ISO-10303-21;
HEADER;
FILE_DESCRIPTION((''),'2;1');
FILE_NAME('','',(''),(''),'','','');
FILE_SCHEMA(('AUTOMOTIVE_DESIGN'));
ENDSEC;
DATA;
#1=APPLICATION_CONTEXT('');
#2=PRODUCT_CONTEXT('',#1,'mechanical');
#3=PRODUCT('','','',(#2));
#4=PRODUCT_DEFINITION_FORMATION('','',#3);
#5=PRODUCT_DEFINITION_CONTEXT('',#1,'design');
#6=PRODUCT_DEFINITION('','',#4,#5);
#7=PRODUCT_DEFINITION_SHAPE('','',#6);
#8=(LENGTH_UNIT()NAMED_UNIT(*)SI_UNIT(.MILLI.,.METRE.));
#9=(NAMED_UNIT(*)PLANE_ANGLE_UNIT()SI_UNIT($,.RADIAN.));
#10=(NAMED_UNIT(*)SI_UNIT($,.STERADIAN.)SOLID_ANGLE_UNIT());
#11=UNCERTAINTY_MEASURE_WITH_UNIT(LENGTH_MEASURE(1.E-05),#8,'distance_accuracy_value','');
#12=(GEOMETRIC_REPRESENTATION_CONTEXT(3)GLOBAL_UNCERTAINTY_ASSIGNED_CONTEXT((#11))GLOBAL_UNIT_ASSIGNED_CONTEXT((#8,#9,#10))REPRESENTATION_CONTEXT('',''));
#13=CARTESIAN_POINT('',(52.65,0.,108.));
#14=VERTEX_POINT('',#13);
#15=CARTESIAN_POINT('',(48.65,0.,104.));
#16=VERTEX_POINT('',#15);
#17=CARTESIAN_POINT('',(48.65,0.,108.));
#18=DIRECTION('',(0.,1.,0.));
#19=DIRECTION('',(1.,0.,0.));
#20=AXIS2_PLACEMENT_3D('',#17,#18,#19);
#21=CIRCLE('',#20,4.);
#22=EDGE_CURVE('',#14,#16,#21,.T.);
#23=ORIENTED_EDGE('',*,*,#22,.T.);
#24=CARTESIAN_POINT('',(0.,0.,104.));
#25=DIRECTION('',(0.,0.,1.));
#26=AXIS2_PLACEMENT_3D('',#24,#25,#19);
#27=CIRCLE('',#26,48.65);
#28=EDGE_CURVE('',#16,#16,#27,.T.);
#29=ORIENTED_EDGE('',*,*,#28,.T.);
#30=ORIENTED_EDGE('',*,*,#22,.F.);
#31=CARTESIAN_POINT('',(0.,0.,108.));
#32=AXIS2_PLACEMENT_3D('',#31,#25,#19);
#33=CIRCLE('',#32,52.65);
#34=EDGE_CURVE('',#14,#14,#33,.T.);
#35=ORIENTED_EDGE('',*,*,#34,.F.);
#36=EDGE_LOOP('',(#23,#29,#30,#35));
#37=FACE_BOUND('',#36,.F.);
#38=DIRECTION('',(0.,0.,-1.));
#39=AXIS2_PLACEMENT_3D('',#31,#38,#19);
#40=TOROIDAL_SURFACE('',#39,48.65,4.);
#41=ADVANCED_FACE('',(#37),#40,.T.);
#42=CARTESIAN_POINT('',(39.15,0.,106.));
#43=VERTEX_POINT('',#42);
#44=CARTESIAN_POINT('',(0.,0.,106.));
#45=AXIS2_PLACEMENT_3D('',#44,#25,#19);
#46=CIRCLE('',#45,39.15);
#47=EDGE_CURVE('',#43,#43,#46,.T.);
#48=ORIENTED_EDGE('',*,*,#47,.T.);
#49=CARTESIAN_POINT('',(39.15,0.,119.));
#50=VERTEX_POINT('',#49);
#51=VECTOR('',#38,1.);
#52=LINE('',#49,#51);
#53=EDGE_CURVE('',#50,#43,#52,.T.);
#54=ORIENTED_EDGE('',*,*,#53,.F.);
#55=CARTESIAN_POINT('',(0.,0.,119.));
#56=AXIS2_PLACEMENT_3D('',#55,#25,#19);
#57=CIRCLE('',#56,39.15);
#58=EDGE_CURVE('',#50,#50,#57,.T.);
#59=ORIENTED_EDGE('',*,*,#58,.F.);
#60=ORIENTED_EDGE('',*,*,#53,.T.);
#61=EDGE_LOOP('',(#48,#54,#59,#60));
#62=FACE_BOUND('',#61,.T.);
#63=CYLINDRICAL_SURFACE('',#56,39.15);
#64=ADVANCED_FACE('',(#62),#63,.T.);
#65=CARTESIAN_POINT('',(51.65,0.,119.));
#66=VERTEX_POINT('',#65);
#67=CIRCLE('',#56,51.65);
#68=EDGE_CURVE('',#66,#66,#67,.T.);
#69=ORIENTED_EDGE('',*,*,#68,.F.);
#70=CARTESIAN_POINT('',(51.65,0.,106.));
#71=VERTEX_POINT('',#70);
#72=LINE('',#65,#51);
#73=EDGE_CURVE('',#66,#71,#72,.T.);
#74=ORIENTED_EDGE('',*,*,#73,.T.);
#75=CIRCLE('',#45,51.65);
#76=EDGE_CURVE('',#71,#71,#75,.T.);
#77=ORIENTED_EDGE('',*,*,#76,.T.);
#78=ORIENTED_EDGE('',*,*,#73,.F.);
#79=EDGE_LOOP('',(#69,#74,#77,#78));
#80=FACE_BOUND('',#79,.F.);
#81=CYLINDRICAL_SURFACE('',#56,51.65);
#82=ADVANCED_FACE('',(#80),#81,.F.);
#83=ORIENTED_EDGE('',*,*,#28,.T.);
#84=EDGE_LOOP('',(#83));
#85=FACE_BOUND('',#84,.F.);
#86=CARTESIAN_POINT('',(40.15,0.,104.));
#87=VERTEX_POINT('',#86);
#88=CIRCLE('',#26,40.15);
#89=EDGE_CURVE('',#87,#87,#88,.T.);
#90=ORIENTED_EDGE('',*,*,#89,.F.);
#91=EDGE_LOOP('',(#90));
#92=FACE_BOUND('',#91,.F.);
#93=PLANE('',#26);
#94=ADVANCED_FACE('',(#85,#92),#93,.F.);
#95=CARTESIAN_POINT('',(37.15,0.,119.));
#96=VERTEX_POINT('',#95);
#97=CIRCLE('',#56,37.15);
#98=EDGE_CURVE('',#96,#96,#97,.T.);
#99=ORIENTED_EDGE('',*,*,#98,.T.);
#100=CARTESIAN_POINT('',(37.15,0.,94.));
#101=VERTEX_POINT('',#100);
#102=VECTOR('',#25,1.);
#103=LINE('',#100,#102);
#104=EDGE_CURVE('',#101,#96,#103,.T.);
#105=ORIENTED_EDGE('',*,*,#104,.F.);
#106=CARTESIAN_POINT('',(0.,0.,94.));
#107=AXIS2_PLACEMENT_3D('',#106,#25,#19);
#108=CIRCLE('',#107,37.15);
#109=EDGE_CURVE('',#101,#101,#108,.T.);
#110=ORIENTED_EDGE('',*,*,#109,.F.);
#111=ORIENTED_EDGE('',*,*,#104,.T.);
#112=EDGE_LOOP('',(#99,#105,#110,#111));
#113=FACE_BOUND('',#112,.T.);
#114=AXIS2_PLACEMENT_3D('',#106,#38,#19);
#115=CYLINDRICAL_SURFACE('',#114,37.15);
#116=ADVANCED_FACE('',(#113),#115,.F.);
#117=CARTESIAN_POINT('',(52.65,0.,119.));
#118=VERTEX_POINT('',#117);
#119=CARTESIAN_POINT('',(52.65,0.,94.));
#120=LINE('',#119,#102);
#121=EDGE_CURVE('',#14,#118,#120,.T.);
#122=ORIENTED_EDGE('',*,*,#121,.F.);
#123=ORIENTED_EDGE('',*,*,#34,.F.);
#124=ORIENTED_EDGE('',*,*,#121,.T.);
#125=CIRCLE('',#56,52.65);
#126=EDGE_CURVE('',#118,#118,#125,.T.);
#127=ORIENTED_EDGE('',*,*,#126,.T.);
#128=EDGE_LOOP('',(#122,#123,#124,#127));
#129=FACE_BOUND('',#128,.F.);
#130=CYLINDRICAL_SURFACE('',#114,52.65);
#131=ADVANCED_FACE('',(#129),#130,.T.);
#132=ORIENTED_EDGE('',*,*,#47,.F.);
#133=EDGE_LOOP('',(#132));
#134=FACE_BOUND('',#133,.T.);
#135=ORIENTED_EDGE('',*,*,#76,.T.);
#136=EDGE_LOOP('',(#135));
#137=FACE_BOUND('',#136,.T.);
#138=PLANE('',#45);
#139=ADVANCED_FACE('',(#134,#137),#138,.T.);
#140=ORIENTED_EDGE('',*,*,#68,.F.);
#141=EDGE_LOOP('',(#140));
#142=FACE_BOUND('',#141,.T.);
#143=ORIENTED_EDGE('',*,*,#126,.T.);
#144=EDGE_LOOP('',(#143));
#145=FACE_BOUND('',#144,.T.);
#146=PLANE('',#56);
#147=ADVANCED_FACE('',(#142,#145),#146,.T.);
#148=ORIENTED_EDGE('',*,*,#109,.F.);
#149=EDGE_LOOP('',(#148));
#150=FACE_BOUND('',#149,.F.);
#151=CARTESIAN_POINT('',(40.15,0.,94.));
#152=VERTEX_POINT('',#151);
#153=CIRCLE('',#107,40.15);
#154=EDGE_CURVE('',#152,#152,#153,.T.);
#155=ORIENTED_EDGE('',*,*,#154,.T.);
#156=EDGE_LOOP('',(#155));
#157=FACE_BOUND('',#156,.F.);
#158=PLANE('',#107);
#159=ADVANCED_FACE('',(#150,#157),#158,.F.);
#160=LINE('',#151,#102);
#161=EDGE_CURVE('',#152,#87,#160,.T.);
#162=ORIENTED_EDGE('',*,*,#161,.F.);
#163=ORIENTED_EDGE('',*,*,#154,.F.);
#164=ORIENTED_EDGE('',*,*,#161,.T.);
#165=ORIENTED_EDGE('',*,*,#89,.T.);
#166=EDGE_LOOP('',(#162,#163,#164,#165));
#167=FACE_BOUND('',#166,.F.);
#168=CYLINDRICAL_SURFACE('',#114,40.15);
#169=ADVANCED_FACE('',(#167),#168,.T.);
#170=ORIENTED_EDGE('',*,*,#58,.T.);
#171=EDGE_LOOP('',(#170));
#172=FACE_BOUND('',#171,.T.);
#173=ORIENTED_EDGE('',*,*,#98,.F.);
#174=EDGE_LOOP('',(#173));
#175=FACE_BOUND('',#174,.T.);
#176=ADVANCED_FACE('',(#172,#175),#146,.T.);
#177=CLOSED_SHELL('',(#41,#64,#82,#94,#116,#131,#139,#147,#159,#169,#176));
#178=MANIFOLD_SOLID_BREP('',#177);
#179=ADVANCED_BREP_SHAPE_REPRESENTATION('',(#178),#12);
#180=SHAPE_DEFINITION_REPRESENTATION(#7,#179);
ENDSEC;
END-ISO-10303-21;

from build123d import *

# Parameters (mm, degrees)
SKETCH055_R        = 52.65
SKETCH055_R_2      = 37.15
PAD023_DEPTH       = 25
SKETCH056_R        = 52.65
SKETCH056_R_2      = 40.15
POCKET003021_DEPTH = 10
SKETCH057_R        = 51.65
SKETCH057_R_2      = 39.15
POCKET003022_DEPTH = 13
FILLET_R           = 4


with BuildPart() as part:
    # Sketch055 → Pad023 (new body)
    with BuildSketch(Plane.XY.offset(80)):
        Circle(SKETCH055_R)
        Circle(SKETCH055_R_2, mode=Mode.SUBTRACT)
    extrude(amount=PAD023_DEPTH)

    # Sketch056 → Pocket003021 (cut)
    with BuildSketch(Plane.XY.offset(80)):
        Circle(SKETCH056_R)
        Circle(SKETCH056_R_2, mode=Mode.SUBTRACT)
    extrude(amount=POCKET003021_DEPTH, mode=Mode.SUBTRACT)

    # Sketch057 → Pocket003022 (cut)
    with BuildSketch(Plane.XY.offset(105)):
        Circle(SKETCH057_R)
        Circle(SKETCH057_R_2, mode=Mode.SUBTRACT)
    extrude(amount=-POCKET003022_DEPTH, mode=Mode.SUBTRACT)

    # Fillet
    fillet_edges = [part.edges().sort_by_distance(p)[0] for p in [
        (-52.65, 0, 90),
    ]]
    fillet(fillet_edges, radius=FILLET_R)


with BuildPart() as part_1:
    # Body010 placement: moved
    add(part.part.moved(Location((0, 0, 14))))


solid = part_1.part
